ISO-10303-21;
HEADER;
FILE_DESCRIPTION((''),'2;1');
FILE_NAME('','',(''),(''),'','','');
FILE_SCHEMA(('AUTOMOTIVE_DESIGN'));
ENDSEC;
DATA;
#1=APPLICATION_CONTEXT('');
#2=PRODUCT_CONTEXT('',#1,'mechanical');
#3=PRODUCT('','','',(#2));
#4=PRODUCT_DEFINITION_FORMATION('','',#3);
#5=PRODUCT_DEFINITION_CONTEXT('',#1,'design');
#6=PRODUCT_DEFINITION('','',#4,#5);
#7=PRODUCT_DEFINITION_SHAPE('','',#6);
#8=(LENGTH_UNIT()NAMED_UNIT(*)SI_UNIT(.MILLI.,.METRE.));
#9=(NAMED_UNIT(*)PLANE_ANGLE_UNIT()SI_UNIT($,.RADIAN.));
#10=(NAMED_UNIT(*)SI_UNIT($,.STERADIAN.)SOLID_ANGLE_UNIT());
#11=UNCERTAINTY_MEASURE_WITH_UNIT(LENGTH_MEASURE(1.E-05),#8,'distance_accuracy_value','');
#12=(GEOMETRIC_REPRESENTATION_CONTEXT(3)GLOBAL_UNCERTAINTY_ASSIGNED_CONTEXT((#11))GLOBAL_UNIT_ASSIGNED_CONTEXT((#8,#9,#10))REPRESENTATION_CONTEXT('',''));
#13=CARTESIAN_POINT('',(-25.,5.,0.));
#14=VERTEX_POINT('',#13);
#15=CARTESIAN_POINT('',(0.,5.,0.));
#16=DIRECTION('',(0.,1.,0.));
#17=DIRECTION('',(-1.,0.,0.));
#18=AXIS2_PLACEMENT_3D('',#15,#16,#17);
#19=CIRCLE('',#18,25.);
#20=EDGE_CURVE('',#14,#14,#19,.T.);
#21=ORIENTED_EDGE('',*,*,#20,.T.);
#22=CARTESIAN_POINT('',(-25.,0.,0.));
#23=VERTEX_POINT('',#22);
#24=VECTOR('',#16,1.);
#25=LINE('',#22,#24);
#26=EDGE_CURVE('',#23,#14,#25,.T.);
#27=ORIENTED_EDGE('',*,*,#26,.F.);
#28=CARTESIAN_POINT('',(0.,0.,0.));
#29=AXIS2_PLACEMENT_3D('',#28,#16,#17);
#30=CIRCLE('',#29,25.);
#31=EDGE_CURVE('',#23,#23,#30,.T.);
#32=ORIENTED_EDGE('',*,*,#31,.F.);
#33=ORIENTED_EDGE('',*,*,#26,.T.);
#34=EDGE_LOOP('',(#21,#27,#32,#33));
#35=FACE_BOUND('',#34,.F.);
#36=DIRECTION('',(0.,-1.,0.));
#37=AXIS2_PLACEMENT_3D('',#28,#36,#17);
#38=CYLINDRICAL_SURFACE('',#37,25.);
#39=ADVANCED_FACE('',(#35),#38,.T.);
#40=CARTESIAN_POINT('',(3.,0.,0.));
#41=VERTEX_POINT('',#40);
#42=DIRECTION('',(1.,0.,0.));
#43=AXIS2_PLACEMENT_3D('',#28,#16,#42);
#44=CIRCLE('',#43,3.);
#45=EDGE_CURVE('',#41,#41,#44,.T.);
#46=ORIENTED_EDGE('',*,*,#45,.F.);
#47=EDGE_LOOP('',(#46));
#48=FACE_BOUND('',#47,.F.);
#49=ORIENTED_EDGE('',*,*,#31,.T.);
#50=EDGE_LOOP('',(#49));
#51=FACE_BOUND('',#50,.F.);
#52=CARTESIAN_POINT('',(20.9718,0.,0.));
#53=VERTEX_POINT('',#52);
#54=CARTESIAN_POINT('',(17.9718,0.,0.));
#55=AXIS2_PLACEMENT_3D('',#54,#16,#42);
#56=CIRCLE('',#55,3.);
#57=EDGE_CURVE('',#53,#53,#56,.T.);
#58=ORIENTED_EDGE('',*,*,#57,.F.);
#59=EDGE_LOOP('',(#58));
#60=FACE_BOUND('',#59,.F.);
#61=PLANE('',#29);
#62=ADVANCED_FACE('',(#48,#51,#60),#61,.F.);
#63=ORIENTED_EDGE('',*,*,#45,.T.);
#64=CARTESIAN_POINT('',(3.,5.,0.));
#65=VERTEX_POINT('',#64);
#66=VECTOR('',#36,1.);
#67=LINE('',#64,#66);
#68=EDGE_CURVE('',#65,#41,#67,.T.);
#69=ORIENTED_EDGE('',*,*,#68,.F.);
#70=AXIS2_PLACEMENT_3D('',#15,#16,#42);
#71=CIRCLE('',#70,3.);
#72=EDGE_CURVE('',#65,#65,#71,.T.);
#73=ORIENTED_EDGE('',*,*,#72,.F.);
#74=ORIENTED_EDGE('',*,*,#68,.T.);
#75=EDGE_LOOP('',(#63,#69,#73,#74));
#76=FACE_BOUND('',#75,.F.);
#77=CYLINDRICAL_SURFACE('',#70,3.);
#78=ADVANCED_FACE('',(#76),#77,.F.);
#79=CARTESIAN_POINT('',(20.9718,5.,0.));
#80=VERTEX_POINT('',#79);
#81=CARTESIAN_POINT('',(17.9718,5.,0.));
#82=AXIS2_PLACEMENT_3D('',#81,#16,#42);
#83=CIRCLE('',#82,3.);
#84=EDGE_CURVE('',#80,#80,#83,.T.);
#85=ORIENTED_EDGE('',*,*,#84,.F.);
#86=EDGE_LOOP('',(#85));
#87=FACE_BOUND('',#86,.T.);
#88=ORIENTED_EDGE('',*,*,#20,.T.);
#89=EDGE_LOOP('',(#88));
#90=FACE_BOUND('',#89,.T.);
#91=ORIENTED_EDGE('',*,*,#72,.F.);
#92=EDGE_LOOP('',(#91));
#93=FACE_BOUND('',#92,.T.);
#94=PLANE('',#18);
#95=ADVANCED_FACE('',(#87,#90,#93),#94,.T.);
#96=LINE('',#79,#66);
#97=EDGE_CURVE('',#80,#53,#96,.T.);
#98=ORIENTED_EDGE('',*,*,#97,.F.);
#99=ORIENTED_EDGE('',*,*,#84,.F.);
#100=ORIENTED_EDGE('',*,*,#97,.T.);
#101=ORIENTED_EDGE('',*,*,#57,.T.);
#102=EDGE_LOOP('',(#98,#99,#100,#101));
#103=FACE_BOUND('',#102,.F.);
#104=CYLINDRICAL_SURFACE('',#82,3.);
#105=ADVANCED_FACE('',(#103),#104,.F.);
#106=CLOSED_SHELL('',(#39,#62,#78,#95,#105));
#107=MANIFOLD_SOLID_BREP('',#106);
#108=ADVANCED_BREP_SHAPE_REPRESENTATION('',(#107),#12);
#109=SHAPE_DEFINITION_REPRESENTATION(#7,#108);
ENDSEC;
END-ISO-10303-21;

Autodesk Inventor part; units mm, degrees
ref_plane "YZ Plane" through (0, 0, 0) normal (1, 0, 0) x (0, 1, 0)
ref_plane "XZ Plane" through (0, 0, 0) normal (0, 1, 0) x (-1, 0, 0)
ref_plane "XY Plane" through (0, 0, 0) normal (0, 0, 1) x (1, 0, 0)
sketch "Sketch1" plane through (0, 0, 0) normal (0, 1, 0) x (-1, 0, 0)
  circle A0 centre (0, 0) radius 25
  dimension "d0" = 50
sketch "Sketch2" plane through (0, 0, 0) normal (0, 0, 1) x (1, 0, 0)
  point P0 (0, 0)
extrude "Extrusion1" add sketch "Sketch1" along normal blind 5
sketch "Sketch3" plane through (0, 5, 0) normal (0, 1, 0) x (1, 0, 0)
  circle A0 centre (0, 0) radius 3
  dimension "d3" = 6
extrude "Extrusion2" cut sketch "Sketch3" against normal blind 5
sketch "Sketch4" plane through (0, 5, 0) normal (0, 1, 0) x (1, 0, 0)
  circle A0 centre (17.9718, 0) radius 3
  point P0 (0, 0)
  dimension "d6" = 6
extrude "Extrusion3" cut sketch "Sketch4" against normal blind 5
